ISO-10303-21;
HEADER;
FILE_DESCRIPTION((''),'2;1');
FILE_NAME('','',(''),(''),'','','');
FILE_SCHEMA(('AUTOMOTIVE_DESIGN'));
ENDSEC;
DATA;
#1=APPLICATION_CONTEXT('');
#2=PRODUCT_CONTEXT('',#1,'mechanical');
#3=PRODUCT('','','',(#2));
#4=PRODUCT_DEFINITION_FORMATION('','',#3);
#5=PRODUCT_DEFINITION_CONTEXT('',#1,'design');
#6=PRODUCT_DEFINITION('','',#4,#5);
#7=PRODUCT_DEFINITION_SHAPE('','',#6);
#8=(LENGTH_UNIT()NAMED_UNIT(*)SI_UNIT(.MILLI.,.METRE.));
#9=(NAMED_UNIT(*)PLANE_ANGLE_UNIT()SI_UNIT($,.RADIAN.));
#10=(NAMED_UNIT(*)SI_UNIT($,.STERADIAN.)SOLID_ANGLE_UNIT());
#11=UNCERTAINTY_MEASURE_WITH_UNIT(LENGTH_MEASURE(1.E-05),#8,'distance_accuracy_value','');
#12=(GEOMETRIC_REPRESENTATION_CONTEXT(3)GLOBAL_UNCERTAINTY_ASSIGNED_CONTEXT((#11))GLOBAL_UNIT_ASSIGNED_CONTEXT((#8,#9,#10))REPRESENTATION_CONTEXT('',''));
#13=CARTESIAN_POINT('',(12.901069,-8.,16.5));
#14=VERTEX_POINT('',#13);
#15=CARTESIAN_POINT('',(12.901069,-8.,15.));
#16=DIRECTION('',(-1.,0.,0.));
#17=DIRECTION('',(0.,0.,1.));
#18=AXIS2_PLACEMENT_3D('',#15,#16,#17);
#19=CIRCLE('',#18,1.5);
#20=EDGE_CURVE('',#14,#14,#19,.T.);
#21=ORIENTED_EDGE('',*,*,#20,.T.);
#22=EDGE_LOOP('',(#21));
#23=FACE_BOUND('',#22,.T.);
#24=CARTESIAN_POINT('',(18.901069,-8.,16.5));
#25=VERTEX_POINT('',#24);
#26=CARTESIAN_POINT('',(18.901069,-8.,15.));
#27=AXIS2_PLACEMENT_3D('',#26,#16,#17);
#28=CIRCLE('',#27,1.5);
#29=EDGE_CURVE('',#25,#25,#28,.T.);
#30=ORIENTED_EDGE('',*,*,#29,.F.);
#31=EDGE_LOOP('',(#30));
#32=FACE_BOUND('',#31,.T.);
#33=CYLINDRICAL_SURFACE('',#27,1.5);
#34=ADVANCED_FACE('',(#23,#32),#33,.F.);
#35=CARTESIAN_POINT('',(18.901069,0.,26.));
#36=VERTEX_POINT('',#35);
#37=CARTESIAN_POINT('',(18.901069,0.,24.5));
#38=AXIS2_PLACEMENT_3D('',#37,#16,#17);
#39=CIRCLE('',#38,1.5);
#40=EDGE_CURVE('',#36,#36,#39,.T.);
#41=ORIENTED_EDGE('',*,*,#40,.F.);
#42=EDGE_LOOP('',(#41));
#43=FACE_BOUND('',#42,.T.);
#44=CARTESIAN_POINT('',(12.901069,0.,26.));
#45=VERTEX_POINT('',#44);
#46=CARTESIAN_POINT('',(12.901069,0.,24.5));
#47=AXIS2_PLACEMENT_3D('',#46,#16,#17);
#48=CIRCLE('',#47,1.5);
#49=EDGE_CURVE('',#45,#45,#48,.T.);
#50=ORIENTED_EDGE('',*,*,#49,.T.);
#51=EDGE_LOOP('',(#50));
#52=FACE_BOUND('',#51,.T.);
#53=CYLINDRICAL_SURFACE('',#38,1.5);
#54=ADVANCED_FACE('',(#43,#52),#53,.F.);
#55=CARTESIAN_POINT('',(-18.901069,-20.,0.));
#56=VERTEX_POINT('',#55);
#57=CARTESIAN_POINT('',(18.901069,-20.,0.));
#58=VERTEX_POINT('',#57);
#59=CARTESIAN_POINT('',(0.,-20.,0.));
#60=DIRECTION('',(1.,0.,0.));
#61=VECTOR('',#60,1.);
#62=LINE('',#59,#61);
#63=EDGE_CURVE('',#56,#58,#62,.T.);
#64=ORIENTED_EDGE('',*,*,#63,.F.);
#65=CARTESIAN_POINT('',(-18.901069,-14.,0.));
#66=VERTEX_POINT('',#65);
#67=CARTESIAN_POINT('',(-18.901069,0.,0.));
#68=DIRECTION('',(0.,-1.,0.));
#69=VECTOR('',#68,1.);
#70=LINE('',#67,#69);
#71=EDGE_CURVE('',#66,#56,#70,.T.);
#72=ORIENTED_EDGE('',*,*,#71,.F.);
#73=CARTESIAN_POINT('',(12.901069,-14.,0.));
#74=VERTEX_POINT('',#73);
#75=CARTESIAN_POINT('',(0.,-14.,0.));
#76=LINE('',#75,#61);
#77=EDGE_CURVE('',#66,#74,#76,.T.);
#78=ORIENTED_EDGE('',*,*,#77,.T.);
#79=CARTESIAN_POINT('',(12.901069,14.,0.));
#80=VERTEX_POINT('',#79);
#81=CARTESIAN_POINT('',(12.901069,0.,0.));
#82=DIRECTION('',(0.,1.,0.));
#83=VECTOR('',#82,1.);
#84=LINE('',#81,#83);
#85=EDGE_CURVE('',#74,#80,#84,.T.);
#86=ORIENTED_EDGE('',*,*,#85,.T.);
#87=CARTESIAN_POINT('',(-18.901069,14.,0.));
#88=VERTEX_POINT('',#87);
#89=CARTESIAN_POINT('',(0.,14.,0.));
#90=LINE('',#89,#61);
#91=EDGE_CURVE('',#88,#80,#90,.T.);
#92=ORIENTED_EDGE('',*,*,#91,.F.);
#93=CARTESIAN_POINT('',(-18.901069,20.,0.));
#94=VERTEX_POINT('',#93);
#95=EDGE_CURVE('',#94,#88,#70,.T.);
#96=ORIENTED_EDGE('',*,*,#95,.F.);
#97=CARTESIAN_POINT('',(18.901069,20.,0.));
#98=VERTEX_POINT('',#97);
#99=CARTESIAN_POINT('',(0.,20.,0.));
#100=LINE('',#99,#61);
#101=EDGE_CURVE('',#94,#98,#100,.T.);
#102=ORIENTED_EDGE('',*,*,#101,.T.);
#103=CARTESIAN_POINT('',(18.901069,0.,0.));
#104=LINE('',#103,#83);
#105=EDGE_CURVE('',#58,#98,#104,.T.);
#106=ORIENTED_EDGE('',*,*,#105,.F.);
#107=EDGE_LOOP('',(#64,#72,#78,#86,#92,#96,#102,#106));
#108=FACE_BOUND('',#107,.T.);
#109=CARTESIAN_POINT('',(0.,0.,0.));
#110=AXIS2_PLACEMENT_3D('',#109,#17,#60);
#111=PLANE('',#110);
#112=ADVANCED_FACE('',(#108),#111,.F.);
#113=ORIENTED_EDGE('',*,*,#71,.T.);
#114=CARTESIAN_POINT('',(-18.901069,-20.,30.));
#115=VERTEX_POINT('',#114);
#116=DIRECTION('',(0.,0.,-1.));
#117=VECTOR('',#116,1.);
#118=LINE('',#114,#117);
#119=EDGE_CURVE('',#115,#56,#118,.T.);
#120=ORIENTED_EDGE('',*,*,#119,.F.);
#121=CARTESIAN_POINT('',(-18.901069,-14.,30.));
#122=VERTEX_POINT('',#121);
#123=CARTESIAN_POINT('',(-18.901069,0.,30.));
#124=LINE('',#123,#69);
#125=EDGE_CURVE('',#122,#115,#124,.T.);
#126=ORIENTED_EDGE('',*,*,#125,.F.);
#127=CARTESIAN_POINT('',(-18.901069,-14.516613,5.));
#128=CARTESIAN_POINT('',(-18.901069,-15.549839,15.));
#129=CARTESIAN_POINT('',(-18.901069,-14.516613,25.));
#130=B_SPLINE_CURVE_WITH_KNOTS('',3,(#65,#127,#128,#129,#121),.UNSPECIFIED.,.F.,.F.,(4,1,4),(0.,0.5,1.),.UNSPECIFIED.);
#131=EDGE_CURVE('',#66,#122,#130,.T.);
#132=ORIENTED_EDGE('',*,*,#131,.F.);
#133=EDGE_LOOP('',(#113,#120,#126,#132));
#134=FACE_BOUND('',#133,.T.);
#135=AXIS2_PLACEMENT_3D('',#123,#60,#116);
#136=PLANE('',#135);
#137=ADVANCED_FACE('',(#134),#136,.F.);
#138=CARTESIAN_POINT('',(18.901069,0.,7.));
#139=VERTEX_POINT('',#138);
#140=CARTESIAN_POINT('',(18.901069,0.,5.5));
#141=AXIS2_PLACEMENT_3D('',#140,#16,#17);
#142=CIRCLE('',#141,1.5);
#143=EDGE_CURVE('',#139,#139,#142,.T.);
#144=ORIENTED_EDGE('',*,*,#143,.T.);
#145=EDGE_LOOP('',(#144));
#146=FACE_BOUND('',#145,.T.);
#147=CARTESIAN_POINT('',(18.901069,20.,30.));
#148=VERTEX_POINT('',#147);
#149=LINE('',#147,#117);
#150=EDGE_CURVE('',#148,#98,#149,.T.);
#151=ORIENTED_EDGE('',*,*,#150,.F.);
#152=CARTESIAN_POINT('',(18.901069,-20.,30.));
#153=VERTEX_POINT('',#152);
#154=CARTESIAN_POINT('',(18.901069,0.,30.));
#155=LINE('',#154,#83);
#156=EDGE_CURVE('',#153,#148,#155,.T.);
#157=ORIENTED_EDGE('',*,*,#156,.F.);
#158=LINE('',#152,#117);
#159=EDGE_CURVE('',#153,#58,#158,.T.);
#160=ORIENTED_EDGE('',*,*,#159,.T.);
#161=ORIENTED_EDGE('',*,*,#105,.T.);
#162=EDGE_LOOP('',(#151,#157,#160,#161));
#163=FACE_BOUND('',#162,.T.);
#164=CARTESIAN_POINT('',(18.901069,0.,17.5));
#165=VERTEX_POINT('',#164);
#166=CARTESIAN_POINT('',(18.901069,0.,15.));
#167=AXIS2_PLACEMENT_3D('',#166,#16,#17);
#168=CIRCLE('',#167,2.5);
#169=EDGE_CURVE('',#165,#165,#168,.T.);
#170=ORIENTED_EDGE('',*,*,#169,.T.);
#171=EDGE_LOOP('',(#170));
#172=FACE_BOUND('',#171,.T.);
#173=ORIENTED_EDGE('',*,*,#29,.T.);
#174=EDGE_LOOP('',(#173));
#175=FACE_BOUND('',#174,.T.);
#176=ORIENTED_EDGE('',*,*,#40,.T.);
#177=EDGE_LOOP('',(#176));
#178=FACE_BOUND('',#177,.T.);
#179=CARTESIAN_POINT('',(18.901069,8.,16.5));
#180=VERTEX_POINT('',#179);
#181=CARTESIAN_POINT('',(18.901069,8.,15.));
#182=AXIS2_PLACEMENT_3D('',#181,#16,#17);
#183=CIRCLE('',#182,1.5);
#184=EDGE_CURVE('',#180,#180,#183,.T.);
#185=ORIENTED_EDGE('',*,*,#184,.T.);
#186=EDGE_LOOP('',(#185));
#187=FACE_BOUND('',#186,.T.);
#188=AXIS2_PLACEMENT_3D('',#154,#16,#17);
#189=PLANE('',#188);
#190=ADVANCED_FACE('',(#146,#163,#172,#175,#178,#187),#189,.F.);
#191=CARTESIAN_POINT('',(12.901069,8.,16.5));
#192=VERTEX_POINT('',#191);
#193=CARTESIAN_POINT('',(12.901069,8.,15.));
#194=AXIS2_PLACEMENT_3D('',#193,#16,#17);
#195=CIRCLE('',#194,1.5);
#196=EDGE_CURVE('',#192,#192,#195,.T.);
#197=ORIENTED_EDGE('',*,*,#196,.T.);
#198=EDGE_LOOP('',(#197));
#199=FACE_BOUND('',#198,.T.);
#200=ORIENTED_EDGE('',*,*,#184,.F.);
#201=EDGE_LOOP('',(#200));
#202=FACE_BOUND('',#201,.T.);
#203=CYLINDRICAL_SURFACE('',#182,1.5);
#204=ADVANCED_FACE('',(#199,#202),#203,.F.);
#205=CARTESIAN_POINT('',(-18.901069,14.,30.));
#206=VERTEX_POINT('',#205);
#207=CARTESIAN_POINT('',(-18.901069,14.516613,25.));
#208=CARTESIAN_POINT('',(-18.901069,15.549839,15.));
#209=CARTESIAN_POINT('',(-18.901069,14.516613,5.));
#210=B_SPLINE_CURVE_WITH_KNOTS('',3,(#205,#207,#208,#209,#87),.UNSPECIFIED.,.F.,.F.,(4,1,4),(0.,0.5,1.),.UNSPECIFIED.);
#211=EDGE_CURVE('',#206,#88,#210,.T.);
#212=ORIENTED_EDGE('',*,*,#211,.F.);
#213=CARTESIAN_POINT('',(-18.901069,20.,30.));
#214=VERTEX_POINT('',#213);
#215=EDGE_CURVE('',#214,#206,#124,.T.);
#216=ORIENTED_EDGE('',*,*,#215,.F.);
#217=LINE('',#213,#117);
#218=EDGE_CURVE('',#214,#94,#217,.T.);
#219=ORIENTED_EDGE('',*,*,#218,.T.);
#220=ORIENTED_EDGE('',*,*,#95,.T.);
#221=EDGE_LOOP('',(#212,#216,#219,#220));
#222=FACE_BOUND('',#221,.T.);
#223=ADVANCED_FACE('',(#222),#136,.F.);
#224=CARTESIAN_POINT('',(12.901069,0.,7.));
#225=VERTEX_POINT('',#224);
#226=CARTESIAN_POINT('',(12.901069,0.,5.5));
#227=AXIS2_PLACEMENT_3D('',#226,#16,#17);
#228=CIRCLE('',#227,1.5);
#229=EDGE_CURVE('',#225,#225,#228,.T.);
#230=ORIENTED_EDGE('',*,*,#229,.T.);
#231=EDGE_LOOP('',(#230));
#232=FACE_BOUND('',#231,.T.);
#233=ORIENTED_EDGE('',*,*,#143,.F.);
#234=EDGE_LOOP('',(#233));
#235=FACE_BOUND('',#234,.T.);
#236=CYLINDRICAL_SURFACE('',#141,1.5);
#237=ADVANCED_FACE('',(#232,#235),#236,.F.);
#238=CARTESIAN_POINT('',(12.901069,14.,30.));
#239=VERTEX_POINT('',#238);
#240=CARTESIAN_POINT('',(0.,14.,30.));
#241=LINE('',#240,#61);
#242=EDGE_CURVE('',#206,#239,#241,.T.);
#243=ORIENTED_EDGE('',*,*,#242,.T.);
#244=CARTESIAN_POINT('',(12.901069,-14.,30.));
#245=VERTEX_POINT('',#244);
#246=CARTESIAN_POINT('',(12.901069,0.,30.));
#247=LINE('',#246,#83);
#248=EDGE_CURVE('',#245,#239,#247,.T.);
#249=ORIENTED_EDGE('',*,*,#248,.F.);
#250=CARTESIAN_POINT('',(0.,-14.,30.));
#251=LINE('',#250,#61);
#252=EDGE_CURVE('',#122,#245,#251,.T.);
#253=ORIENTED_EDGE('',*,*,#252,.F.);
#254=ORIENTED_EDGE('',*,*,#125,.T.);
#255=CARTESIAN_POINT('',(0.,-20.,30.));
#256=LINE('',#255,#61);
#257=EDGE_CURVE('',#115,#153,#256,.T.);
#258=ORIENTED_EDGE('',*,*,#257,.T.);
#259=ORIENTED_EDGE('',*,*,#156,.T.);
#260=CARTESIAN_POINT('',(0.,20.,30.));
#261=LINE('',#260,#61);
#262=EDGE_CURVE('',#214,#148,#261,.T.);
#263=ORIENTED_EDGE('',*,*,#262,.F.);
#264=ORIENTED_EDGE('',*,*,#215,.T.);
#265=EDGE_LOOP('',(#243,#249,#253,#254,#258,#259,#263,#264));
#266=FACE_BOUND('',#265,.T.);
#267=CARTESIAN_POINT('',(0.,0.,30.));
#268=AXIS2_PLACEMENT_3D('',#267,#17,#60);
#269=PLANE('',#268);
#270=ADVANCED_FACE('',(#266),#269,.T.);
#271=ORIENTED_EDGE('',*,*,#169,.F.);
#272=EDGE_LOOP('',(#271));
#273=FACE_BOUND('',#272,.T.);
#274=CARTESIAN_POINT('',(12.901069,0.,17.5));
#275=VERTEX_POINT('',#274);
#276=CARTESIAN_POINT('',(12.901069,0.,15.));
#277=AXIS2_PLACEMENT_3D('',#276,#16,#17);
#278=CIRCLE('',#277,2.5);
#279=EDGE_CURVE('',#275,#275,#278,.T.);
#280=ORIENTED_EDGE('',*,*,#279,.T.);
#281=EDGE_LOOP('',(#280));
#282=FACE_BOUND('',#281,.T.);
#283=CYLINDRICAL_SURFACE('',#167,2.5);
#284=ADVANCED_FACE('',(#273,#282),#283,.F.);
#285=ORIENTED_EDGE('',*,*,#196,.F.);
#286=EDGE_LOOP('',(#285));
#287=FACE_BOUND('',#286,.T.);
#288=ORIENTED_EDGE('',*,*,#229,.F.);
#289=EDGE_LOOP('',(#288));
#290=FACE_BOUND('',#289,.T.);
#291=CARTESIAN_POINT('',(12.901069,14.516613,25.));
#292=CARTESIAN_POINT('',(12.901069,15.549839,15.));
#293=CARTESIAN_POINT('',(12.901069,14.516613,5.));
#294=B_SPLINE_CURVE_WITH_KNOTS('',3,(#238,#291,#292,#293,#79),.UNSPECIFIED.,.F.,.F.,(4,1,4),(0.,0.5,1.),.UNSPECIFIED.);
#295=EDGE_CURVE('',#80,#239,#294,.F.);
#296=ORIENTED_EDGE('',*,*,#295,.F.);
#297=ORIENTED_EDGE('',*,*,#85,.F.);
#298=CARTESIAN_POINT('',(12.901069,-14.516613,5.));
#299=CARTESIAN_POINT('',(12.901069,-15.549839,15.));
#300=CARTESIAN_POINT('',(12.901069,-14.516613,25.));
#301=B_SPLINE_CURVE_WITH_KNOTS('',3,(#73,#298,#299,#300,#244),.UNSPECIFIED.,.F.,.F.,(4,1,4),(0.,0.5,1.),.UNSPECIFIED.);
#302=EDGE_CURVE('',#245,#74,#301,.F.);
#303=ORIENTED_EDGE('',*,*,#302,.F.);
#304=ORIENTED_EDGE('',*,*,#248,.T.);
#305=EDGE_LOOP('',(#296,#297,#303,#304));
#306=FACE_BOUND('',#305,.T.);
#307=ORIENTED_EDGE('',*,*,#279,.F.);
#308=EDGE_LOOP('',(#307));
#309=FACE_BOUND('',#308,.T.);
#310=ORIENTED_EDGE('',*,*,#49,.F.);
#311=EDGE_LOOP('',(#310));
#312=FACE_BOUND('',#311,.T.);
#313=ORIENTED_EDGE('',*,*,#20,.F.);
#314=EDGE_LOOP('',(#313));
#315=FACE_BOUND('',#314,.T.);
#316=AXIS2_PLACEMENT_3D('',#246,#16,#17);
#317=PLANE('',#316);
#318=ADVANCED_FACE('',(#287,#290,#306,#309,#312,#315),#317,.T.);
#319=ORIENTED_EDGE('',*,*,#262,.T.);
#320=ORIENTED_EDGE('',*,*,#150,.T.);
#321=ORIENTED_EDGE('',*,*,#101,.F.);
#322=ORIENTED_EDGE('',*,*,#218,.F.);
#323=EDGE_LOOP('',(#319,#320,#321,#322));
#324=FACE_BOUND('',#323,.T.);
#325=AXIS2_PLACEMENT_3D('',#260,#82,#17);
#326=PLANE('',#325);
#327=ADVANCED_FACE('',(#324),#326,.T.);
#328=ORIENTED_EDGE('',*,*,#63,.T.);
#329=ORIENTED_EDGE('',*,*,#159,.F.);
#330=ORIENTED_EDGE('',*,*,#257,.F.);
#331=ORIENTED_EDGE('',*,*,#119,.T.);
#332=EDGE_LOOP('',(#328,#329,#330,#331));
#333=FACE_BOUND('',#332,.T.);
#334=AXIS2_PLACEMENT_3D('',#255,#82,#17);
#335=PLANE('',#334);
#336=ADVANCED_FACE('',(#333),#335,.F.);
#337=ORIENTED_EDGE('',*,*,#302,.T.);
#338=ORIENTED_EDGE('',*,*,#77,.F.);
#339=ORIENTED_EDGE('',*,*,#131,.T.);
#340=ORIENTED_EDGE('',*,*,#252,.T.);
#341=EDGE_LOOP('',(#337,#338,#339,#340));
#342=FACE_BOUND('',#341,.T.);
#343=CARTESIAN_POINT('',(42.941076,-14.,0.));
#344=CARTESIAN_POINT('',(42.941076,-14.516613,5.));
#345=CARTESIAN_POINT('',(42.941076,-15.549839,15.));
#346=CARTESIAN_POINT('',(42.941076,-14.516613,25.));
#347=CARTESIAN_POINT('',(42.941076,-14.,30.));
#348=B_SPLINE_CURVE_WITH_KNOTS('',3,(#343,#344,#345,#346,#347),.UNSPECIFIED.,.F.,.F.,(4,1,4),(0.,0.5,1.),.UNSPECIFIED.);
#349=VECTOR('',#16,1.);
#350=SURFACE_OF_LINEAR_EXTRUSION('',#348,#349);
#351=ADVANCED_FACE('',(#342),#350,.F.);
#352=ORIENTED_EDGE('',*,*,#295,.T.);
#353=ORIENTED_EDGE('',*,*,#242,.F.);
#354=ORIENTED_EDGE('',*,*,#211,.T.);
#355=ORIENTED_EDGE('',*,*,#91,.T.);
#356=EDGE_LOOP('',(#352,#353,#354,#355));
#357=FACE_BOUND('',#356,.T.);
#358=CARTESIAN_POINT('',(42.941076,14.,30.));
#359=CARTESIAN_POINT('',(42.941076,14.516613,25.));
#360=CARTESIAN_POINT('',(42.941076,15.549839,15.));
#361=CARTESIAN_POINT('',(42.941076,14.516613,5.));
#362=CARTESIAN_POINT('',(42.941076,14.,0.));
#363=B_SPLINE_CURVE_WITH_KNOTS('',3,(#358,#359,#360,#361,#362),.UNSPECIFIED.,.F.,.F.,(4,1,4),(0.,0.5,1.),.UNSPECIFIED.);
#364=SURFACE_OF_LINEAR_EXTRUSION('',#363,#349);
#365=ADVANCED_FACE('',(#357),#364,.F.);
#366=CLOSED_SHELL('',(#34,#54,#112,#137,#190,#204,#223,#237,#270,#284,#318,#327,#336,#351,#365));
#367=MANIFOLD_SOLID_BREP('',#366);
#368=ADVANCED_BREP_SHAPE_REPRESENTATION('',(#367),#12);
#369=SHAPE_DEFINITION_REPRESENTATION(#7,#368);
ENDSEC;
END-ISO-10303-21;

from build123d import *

# Parameters (mm, degrees)
BOSS_EXTRUDE1_DEPTH = 30
SKETCH4_R           = 1.5
SKETCH4_R_2         = 2.5
CUT_EXTRUDE1_DEPTH  = 49.076771644
CUT_EXTRUDE3_DEPTH  = 31.802137849


with BuildPart() as part:
    # Sketch2 → Boss-Extrude1 (new body)
    with BuildSketch(Plane.XY):
        Polygon((-18.901068924, 20), (-18.901068924, 14), (12.901068924, 14), (12.901068924, -14), (-18.901068924, -14), (-18.901068924, -20), (18.901068924, -20), (18.901068924, 20), align=None)
    extrude(amount=BOSS_EXTRUDE1_DEPTH)

    # Sketch4 → Cut-Extrude1 (cut, through all)
    with BuildSketch(Plane.ZY.offset(-12.901068924)):
        with Locations((15, 8)):
            Circle(SKETCH4_R)
        with Locations((15, 0)):
            Circle(SKETCH4_R_2)
        with Locations((15, -8)):
            Circle(SKETCH4_R)
        with Locations((5.5, 0)):
            Circle(SKETCH4_R)
        with Locations((24.5, 0)):
            Circle(SKETCH4_R)
    extrude(amount=-CUT_EXTRUDE1_DEPTH, mode=Mode.SUBTRACT)

    # Sketch7 → Cut-Extrude3 (cut)
    with BuildSketch(Plane.ZY.offset(18.901068924)):
        with BuildLine():
            Line((0, -14), (30, -14))
            add(Edge.make_bspline(
                [(0, -14), (5, -14.51661298), (15, -15.549838941), (25, -14.51661298), (30, -14)],
                knots=[0, 0, 0, 0, 0.5, 1, 1, 1, 1], degree=3))
        make_face()
        with BuildLine():
            Line((0, 14), (30, 14))
            add(Edge.make_bspline(
                [(0, 14), (5, 14.51661298), (15, 15.549838941), (25, 14.51661298), (30, 14)],
                knots=[0, 0, 0, 0, 0.5, 1, 1, 1, 1], degree=3))
        make_face()
    extrude(amount=-CUT_EXTRUDE3_DEPTH, mode=Mode.SUBTRACT)


solid = part.part
